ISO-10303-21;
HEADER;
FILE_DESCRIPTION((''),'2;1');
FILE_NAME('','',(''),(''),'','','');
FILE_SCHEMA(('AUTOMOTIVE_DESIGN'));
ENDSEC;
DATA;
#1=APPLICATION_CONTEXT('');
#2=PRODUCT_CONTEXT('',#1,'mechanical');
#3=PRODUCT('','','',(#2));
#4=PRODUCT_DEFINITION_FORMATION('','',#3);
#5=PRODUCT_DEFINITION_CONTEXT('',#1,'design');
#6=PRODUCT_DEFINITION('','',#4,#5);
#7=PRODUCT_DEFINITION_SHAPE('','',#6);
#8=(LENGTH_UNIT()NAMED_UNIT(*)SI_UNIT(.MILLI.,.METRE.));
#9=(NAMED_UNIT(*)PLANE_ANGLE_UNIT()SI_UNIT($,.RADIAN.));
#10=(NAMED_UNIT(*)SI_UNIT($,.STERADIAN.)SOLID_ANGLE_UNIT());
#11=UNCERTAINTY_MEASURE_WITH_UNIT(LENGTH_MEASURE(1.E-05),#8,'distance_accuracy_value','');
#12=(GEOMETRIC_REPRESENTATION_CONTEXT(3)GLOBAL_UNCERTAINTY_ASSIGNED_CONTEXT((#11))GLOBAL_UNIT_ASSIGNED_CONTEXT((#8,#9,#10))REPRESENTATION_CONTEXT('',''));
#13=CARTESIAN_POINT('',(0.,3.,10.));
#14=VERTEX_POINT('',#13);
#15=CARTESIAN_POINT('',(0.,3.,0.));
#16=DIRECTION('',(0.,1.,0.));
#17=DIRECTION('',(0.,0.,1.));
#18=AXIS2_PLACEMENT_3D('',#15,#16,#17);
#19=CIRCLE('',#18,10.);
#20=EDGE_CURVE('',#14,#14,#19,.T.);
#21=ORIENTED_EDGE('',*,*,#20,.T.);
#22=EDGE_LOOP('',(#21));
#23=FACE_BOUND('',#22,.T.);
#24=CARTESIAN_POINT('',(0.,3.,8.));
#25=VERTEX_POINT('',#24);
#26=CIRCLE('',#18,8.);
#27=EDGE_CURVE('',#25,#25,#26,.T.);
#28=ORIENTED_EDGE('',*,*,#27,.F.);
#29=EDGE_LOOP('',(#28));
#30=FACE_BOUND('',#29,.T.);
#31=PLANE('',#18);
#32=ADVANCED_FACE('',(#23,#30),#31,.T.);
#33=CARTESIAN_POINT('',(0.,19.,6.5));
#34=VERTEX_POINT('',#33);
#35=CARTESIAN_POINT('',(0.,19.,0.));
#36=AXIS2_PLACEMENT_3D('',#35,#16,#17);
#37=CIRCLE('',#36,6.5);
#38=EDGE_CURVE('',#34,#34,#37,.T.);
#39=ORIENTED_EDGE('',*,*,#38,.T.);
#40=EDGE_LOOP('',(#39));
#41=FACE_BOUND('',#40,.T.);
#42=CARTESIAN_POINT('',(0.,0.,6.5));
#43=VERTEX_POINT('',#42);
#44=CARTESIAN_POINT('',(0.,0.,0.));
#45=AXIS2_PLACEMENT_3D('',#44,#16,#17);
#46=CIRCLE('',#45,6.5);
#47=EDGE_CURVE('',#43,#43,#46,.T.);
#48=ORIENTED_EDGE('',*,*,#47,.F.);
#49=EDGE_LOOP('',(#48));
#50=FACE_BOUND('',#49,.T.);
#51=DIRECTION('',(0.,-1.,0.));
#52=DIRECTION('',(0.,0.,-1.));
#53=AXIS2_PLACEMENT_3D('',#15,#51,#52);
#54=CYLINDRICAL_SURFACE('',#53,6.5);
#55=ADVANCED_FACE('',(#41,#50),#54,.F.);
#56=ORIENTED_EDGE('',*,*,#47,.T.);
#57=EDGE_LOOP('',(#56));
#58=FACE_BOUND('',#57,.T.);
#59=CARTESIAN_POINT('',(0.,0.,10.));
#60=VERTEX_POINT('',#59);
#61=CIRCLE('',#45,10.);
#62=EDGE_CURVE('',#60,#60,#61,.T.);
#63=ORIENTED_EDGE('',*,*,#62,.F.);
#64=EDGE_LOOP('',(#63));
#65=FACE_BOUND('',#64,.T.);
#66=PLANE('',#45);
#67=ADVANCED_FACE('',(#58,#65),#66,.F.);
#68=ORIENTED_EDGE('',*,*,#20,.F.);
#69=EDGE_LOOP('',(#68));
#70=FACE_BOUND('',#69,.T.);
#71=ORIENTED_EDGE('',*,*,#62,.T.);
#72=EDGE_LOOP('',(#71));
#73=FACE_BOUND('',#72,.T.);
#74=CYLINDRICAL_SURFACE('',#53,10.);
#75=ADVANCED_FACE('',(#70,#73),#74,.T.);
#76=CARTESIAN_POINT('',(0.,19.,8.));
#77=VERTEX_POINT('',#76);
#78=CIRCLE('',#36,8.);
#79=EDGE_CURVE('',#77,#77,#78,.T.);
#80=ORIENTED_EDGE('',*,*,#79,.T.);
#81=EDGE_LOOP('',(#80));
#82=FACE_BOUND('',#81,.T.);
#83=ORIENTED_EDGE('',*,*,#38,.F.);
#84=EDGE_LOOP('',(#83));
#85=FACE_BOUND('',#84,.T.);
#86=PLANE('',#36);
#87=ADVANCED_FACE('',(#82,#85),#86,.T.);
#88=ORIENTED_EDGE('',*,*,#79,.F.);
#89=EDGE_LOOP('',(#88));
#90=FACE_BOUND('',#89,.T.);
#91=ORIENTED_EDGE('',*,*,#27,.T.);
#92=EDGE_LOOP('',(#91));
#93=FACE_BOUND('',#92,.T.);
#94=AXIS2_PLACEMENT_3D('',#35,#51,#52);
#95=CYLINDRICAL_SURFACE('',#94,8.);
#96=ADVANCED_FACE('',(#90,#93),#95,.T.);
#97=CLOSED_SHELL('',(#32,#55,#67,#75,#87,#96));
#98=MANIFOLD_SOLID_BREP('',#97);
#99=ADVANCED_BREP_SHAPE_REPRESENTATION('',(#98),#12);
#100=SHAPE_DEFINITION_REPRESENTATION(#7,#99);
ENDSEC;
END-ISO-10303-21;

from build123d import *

# Parameters (mm, degrees)
SKETCH_1_R      = 10
SKETCH_1_R_2    = 6.5
EXTRUDE_1_DEPTH = 3
SKETCH_2_R      = 8
SKETCH_2_R_2    = 6.5
EXTRUDE_2_DEPTH = 16


with BuildPart() as part:
    # Эскиз1 → Бобышка-Вытянуть1 (new body)
    with BuildSketch(Plane(origin=(0, 0, 0), x_dir=(1, 0, 0), z_dir=(0, 1, 0))):
        with Locations(Location((0, 0, 0), (0, 0, 270))):
            Circle(SKETCH_1_R)
        with Locations(Location((0, 0, 0), (0, 0, 270))):
            Circle(SKETCH_1_R_2, mode=Mode.SUBTRACT)
    extrude(amount=EXTRUDE_1_DEPTH)

    # Эскиз2 → Бобышка-Вытянуть2 (add)
    with BuildSketch(Plane(origin=(0, 3, 0), x_dir=(1, 0, 0), z_dir=(0, 1, 0))):
        with Locations(Location((0, 0, 0), (0, 0, 270))):
            Circle(SKETCH_2_R)
        with Locations(Location((0, 0, 0), (0, 0, 270))):
            Circle(SKETCH_2_R_2, mode=Mode.SUBTRACT)
    extrude(amount=EXTRUDE_2_DEPTH)


solid = part.part
